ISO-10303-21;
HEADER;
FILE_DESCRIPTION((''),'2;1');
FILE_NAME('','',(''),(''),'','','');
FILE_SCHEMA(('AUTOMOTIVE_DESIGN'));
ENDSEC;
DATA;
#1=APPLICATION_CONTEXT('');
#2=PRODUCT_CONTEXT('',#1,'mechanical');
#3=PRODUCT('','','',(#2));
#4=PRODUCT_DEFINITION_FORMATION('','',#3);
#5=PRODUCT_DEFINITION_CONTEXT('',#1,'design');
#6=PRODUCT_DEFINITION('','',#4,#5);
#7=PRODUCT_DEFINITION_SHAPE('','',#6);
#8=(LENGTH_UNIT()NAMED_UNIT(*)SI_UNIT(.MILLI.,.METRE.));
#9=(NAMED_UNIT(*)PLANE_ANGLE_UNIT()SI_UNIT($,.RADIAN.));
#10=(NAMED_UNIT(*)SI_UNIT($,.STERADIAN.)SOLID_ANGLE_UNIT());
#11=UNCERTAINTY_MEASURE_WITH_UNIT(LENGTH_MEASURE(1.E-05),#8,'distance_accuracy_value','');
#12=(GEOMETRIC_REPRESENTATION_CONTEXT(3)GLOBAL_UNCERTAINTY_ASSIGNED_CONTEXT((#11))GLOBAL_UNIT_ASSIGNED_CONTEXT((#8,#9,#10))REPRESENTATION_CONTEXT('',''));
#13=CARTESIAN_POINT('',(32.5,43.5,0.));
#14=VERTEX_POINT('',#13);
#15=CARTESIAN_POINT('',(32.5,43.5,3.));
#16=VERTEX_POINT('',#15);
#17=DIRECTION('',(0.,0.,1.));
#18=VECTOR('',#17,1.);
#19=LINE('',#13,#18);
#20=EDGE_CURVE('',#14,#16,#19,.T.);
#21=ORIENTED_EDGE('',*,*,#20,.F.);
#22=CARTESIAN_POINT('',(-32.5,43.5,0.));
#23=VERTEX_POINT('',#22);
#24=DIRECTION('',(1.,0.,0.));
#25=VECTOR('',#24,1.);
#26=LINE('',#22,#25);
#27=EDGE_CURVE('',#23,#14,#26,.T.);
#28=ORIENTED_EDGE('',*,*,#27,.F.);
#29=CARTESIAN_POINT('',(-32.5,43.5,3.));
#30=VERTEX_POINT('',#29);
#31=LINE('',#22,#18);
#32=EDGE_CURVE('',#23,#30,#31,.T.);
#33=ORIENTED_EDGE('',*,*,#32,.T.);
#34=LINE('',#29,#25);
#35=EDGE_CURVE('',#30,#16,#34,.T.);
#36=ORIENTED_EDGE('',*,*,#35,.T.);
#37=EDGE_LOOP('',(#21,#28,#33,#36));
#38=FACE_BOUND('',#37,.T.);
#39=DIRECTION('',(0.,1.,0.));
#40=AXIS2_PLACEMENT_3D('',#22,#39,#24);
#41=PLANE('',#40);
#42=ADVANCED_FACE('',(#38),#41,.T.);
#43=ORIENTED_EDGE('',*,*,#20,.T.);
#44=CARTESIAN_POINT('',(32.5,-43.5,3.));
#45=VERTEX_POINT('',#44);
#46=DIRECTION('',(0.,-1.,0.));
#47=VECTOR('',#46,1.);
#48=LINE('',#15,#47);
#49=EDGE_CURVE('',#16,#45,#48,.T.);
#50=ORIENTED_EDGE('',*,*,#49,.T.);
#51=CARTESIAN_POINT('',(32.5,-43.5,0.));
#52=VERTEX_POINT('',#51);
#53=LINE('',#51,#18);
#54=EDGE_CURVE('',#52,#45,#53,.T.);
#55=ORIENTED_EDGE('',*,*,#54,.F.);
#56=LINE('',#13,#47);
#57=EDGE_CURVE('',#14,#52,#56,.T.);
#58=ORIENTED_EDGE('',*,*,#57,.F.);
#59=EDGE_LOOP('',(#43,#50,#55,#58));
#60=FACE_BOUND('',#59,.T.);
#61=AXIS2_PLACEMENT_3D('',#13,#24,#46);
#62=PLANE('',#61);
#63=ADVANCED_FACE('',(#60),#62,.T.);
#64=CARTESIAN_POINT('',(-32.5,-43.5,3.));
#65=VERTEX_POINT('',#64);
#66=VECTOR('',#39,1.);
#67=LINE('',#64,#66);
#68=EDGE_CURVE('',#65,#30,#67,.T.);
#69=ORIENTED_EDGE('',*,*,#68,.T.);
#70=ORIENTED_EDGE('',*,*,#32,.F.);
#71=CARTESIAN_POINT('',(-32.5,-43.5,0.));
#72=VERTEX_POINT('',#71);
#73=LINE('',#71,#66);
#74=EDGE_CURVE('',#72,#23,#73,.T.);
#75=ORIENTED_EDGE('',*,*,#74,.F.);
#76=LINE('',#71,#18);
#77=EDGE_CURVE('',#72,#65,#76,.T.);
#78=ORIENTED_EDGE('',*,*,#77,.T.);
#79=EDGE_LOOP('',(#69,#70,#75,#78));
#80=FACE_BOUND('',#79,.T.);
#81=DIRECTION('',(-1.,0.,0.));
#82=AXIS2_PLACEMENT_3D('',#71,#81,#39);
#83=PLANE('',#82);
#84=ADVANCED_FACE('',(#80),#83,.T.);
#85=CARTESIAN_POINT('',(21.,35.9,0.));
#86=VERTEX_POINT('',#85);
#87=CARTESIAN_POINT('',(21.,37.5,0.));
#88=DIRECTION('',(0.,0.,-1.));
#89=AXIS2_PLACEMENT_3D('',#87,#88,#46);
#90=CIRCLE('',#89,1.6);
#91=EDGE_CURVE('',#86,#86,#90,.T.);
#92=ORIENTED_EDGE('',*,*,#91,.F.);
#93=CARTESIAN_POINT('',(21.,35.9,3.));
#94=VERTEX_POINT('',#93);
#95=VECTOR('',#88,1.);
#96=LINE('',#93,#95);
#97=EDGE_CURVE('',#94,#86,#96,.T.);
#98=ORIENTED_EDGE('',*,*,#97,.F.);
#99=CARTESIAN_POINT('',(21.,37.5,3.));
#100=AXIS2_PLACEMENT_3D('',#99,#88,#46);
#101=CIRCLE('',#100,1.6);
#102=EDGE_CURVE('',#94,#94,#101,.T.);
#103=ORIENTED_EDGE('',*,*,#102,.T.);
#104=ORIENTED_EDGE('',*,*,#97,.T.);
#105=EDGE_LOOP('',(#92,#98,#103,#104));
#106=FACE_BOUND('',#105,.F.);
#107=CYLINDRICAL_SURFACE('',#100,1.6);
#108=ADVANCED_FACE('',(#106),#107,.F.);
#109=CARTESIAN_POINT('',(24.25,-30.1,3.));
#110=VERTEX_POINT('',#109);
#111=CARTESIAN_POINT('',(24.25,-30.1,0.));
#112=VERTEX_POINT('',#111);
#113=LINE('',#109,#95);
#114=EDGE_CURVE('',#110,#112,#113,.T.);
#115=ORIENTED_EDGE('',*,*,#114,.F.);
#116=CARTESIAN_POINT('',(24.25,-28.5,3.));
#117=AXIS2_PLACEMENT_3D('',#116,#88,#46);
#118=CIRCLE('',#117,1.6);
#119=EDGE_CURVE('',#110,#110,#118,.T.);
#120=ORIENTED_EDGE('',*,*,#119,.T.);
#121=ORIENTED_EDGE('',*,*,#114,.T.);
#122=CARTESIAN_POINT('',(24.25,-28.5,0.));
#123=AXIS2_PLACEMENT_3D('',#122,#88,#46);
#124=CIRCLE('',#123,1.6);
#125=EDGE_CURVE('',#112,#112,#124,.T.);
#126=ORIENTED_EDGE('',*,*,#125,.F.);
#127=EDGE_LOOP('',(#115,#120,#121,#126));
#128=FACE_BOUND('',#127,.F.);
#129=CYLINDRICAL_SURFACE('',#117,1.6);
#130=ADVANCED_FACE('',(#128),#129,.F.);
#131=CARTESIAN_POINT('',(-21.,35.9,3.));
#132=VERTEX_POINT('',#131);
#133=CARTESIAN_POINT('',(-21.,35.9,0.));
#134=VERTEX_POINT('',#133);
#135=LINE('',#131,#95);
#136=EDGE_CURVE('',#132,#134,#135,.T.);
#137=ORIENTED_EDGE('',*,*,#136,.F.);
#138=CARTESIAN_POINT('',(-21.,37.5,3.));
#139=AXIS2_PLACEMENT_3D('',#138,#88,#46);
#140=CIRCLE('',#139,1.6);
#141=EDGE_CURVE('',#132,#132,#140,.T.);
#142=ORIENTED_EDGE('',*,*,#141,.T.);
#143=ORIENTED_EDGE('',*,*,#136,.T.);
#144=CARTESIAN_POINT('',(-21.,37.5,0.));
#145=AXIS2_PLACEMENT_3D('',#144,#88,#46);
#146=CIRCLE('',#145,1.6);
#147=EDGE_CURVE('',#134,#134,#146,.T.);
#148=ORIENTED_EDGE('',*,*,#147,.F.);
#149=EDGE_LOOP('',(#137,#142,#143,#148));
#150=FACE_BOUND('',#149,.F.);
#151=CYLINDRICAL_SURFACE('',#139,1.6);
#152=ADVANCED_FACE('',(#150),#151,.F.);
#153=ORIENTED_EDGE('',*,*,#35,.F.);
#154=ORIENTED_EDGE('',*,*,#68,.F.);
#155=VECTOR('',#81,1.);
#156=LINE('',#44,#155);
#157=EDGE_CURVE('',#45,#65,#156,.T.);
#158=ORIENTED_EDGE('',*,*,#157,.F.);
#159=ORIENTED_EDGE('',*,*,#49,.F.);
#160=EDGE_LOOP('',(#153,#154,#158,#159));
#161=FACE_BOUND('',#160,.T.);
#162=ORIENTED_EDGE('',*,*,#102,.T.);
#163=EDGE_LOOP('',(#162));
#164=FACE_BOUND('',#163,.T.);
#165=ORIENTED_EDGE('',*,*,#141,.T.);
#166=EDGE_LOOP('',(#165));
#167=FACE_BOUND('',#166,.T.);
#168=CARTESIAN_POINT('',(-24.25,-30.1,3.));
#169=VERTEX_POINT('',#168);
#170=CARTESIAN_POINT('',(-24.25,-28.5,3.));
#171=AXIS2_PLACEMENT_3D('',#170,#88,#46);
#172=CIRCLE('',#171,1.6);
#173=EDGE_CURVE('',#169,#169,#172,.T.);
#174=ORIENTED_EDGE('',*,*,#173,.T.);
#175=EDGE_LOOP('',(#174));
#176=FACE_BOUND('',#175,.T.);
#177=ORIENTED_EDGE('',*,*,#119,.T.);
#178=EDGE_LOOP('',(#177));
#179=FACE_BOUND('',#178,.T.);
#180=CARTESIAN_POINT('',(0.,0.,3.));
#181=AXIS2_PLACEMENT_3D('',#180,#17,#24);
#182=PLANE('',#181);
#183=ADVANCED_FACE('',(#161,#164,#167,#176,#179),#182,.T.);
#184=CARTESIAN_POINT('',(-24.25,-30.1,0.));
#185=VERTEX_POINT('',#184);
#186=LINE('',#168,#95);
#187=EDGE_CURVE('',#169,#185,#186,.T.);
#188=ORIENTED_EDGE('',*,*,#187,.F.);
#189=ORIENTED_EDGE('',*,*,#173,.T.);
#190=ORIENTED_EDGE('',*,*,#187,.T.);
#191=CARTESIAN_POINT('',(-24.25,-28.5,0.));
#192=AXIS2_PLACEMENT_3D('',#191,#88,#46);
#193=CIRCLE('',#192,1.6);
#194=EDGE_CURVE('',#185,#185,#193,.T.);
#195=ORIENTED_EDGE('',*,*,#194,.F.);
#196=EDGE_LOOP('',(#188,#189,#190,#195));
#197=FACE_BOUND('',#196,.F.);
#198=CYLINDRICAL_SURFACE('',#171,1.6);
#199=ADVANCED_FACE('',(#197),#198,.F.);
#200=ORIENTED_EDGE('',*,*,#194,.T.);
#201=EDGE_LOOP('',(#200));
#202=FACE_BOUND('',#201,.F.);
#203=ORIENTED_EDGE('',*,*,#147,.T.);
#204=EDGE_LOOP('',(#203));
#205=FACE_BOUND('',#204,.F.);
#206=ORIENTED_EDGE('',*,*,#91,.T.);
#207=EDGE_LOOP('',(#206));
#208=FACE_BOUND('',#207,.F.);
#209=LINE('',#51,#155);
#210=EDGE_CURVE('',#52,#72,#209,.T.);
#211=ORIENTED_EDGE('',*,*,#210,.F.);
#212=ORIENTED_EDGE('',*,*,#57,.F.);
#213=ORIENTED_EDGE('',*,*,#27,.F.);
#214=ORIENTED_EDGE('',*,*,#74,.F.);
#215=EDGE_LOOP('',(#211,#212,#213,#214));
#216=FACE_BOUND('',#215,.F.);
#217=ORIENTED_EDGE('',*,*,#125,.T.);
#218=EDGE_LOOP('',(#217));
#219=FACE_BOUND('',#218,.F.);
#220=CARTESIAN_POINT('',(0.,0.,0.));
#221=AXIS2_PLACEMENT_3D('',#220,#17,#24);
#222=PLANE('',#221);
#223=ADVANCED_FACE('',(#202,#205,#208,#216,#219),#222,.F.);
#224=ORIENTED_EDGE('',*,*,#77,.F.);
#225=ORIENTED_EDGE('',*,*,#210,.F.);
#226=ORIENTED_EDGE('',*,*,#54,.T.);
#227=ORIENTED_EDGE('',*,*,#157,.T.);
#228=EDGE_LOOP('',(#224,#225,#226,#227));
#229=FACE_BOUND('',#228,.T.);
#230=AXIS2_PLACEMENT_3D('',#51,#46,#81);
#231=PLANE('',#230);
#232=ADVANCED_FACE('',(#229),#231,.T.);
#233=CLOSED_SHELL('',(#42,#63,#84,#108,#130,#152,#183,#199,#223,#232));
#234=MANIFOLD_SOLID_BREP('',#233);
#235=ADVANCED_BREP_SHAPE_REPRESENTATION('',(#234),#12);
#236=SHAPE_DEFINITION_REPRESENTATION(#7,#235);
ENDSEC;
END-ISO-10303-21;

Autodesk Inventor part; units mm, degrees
ref_plane "YZ Plane" through (0, 0, 0) normal (1, 0, 0) x (0, 1, 0)
ref_plane "XZ Plane" through (0, 0, 0) normal (0, 1, 0) x (-1, 0, 0)
ref_plane "XY Plane" through (0, 0, 0) normal (0, 0, 1) x (1, 0, 0)
sketch "スケッチ1" plane through (0, 0, 0) normal (0, 0, 1) x (1, 0, 0)
  line L0 (-32.5, 43.5) -> (32.5, 43.5)
  line L1 (32.5, 43.5) -> (32.5, -43.5)
  line L2 (32.5, -43.5) -> (-32.5, -43.5)
  line L3 (-32.5, -43.5) -> (-32.5, 43.5)
  point P0 (0, 0)
  dimension "d0" = 87
  dimension "d1" = 65
  dimension "d2" = 32.5
  dimension "d3" = 43.5
extrude "押し出し1" add sketch "スケッチ1" along normal blind 3
sketch "スケッチ2" plane through (0, 0, 3) normal (0, 0, 1) x (1, 0, 0)
  circle A0 centre (-21, 37.5) radius 1.6
  circle A1 centre (21, 37.5) radius 1.6
  circle A2 centre (-24.25, -28.5) radius 1.6
  circle A3 centre (24.25, -28.5) radius 1.6
  point P0 (0, 0)
  dimension "d6" = 3.2
  dimension "d7" = 42
  dimension "d8" = 48.5
  dimension "d9" = 24.25
  dimension "d10" = 21
  dimension "d11" = 66
  dimension "d12" = 66
  dimension "d52" = 28.5
  dimension "d53" = 28.5
hole "穴1" at (-24.25, -28.5, 3) at (24.25, -28.5, 3) at (21, 37.5, 3) at (-21, 37.5, 3) direction (0, 0, -1) diameter 3.2 end through all
equation "\"BendRadius\" = 厚さ"
equation "\"BendReliefWidth\" = 厚さ"
equation "\"BendReliefDepth\" = 0.5 * 厚さ"
equation "\"CornerReliefSize\" = 4 * 厚さ"
equation "\"MinimumRemnant\" = 2 * 厚さ"
equation "\"TransitionRadius\" = BendRadius"
equation "\"JacobiRadiusSize\" = 厚さ"
equation "\"GapSize\" = 厚さ"
equation "\"厚さ\" = 0.5"
properties part number "20" material "アセタール樹脂、白"
